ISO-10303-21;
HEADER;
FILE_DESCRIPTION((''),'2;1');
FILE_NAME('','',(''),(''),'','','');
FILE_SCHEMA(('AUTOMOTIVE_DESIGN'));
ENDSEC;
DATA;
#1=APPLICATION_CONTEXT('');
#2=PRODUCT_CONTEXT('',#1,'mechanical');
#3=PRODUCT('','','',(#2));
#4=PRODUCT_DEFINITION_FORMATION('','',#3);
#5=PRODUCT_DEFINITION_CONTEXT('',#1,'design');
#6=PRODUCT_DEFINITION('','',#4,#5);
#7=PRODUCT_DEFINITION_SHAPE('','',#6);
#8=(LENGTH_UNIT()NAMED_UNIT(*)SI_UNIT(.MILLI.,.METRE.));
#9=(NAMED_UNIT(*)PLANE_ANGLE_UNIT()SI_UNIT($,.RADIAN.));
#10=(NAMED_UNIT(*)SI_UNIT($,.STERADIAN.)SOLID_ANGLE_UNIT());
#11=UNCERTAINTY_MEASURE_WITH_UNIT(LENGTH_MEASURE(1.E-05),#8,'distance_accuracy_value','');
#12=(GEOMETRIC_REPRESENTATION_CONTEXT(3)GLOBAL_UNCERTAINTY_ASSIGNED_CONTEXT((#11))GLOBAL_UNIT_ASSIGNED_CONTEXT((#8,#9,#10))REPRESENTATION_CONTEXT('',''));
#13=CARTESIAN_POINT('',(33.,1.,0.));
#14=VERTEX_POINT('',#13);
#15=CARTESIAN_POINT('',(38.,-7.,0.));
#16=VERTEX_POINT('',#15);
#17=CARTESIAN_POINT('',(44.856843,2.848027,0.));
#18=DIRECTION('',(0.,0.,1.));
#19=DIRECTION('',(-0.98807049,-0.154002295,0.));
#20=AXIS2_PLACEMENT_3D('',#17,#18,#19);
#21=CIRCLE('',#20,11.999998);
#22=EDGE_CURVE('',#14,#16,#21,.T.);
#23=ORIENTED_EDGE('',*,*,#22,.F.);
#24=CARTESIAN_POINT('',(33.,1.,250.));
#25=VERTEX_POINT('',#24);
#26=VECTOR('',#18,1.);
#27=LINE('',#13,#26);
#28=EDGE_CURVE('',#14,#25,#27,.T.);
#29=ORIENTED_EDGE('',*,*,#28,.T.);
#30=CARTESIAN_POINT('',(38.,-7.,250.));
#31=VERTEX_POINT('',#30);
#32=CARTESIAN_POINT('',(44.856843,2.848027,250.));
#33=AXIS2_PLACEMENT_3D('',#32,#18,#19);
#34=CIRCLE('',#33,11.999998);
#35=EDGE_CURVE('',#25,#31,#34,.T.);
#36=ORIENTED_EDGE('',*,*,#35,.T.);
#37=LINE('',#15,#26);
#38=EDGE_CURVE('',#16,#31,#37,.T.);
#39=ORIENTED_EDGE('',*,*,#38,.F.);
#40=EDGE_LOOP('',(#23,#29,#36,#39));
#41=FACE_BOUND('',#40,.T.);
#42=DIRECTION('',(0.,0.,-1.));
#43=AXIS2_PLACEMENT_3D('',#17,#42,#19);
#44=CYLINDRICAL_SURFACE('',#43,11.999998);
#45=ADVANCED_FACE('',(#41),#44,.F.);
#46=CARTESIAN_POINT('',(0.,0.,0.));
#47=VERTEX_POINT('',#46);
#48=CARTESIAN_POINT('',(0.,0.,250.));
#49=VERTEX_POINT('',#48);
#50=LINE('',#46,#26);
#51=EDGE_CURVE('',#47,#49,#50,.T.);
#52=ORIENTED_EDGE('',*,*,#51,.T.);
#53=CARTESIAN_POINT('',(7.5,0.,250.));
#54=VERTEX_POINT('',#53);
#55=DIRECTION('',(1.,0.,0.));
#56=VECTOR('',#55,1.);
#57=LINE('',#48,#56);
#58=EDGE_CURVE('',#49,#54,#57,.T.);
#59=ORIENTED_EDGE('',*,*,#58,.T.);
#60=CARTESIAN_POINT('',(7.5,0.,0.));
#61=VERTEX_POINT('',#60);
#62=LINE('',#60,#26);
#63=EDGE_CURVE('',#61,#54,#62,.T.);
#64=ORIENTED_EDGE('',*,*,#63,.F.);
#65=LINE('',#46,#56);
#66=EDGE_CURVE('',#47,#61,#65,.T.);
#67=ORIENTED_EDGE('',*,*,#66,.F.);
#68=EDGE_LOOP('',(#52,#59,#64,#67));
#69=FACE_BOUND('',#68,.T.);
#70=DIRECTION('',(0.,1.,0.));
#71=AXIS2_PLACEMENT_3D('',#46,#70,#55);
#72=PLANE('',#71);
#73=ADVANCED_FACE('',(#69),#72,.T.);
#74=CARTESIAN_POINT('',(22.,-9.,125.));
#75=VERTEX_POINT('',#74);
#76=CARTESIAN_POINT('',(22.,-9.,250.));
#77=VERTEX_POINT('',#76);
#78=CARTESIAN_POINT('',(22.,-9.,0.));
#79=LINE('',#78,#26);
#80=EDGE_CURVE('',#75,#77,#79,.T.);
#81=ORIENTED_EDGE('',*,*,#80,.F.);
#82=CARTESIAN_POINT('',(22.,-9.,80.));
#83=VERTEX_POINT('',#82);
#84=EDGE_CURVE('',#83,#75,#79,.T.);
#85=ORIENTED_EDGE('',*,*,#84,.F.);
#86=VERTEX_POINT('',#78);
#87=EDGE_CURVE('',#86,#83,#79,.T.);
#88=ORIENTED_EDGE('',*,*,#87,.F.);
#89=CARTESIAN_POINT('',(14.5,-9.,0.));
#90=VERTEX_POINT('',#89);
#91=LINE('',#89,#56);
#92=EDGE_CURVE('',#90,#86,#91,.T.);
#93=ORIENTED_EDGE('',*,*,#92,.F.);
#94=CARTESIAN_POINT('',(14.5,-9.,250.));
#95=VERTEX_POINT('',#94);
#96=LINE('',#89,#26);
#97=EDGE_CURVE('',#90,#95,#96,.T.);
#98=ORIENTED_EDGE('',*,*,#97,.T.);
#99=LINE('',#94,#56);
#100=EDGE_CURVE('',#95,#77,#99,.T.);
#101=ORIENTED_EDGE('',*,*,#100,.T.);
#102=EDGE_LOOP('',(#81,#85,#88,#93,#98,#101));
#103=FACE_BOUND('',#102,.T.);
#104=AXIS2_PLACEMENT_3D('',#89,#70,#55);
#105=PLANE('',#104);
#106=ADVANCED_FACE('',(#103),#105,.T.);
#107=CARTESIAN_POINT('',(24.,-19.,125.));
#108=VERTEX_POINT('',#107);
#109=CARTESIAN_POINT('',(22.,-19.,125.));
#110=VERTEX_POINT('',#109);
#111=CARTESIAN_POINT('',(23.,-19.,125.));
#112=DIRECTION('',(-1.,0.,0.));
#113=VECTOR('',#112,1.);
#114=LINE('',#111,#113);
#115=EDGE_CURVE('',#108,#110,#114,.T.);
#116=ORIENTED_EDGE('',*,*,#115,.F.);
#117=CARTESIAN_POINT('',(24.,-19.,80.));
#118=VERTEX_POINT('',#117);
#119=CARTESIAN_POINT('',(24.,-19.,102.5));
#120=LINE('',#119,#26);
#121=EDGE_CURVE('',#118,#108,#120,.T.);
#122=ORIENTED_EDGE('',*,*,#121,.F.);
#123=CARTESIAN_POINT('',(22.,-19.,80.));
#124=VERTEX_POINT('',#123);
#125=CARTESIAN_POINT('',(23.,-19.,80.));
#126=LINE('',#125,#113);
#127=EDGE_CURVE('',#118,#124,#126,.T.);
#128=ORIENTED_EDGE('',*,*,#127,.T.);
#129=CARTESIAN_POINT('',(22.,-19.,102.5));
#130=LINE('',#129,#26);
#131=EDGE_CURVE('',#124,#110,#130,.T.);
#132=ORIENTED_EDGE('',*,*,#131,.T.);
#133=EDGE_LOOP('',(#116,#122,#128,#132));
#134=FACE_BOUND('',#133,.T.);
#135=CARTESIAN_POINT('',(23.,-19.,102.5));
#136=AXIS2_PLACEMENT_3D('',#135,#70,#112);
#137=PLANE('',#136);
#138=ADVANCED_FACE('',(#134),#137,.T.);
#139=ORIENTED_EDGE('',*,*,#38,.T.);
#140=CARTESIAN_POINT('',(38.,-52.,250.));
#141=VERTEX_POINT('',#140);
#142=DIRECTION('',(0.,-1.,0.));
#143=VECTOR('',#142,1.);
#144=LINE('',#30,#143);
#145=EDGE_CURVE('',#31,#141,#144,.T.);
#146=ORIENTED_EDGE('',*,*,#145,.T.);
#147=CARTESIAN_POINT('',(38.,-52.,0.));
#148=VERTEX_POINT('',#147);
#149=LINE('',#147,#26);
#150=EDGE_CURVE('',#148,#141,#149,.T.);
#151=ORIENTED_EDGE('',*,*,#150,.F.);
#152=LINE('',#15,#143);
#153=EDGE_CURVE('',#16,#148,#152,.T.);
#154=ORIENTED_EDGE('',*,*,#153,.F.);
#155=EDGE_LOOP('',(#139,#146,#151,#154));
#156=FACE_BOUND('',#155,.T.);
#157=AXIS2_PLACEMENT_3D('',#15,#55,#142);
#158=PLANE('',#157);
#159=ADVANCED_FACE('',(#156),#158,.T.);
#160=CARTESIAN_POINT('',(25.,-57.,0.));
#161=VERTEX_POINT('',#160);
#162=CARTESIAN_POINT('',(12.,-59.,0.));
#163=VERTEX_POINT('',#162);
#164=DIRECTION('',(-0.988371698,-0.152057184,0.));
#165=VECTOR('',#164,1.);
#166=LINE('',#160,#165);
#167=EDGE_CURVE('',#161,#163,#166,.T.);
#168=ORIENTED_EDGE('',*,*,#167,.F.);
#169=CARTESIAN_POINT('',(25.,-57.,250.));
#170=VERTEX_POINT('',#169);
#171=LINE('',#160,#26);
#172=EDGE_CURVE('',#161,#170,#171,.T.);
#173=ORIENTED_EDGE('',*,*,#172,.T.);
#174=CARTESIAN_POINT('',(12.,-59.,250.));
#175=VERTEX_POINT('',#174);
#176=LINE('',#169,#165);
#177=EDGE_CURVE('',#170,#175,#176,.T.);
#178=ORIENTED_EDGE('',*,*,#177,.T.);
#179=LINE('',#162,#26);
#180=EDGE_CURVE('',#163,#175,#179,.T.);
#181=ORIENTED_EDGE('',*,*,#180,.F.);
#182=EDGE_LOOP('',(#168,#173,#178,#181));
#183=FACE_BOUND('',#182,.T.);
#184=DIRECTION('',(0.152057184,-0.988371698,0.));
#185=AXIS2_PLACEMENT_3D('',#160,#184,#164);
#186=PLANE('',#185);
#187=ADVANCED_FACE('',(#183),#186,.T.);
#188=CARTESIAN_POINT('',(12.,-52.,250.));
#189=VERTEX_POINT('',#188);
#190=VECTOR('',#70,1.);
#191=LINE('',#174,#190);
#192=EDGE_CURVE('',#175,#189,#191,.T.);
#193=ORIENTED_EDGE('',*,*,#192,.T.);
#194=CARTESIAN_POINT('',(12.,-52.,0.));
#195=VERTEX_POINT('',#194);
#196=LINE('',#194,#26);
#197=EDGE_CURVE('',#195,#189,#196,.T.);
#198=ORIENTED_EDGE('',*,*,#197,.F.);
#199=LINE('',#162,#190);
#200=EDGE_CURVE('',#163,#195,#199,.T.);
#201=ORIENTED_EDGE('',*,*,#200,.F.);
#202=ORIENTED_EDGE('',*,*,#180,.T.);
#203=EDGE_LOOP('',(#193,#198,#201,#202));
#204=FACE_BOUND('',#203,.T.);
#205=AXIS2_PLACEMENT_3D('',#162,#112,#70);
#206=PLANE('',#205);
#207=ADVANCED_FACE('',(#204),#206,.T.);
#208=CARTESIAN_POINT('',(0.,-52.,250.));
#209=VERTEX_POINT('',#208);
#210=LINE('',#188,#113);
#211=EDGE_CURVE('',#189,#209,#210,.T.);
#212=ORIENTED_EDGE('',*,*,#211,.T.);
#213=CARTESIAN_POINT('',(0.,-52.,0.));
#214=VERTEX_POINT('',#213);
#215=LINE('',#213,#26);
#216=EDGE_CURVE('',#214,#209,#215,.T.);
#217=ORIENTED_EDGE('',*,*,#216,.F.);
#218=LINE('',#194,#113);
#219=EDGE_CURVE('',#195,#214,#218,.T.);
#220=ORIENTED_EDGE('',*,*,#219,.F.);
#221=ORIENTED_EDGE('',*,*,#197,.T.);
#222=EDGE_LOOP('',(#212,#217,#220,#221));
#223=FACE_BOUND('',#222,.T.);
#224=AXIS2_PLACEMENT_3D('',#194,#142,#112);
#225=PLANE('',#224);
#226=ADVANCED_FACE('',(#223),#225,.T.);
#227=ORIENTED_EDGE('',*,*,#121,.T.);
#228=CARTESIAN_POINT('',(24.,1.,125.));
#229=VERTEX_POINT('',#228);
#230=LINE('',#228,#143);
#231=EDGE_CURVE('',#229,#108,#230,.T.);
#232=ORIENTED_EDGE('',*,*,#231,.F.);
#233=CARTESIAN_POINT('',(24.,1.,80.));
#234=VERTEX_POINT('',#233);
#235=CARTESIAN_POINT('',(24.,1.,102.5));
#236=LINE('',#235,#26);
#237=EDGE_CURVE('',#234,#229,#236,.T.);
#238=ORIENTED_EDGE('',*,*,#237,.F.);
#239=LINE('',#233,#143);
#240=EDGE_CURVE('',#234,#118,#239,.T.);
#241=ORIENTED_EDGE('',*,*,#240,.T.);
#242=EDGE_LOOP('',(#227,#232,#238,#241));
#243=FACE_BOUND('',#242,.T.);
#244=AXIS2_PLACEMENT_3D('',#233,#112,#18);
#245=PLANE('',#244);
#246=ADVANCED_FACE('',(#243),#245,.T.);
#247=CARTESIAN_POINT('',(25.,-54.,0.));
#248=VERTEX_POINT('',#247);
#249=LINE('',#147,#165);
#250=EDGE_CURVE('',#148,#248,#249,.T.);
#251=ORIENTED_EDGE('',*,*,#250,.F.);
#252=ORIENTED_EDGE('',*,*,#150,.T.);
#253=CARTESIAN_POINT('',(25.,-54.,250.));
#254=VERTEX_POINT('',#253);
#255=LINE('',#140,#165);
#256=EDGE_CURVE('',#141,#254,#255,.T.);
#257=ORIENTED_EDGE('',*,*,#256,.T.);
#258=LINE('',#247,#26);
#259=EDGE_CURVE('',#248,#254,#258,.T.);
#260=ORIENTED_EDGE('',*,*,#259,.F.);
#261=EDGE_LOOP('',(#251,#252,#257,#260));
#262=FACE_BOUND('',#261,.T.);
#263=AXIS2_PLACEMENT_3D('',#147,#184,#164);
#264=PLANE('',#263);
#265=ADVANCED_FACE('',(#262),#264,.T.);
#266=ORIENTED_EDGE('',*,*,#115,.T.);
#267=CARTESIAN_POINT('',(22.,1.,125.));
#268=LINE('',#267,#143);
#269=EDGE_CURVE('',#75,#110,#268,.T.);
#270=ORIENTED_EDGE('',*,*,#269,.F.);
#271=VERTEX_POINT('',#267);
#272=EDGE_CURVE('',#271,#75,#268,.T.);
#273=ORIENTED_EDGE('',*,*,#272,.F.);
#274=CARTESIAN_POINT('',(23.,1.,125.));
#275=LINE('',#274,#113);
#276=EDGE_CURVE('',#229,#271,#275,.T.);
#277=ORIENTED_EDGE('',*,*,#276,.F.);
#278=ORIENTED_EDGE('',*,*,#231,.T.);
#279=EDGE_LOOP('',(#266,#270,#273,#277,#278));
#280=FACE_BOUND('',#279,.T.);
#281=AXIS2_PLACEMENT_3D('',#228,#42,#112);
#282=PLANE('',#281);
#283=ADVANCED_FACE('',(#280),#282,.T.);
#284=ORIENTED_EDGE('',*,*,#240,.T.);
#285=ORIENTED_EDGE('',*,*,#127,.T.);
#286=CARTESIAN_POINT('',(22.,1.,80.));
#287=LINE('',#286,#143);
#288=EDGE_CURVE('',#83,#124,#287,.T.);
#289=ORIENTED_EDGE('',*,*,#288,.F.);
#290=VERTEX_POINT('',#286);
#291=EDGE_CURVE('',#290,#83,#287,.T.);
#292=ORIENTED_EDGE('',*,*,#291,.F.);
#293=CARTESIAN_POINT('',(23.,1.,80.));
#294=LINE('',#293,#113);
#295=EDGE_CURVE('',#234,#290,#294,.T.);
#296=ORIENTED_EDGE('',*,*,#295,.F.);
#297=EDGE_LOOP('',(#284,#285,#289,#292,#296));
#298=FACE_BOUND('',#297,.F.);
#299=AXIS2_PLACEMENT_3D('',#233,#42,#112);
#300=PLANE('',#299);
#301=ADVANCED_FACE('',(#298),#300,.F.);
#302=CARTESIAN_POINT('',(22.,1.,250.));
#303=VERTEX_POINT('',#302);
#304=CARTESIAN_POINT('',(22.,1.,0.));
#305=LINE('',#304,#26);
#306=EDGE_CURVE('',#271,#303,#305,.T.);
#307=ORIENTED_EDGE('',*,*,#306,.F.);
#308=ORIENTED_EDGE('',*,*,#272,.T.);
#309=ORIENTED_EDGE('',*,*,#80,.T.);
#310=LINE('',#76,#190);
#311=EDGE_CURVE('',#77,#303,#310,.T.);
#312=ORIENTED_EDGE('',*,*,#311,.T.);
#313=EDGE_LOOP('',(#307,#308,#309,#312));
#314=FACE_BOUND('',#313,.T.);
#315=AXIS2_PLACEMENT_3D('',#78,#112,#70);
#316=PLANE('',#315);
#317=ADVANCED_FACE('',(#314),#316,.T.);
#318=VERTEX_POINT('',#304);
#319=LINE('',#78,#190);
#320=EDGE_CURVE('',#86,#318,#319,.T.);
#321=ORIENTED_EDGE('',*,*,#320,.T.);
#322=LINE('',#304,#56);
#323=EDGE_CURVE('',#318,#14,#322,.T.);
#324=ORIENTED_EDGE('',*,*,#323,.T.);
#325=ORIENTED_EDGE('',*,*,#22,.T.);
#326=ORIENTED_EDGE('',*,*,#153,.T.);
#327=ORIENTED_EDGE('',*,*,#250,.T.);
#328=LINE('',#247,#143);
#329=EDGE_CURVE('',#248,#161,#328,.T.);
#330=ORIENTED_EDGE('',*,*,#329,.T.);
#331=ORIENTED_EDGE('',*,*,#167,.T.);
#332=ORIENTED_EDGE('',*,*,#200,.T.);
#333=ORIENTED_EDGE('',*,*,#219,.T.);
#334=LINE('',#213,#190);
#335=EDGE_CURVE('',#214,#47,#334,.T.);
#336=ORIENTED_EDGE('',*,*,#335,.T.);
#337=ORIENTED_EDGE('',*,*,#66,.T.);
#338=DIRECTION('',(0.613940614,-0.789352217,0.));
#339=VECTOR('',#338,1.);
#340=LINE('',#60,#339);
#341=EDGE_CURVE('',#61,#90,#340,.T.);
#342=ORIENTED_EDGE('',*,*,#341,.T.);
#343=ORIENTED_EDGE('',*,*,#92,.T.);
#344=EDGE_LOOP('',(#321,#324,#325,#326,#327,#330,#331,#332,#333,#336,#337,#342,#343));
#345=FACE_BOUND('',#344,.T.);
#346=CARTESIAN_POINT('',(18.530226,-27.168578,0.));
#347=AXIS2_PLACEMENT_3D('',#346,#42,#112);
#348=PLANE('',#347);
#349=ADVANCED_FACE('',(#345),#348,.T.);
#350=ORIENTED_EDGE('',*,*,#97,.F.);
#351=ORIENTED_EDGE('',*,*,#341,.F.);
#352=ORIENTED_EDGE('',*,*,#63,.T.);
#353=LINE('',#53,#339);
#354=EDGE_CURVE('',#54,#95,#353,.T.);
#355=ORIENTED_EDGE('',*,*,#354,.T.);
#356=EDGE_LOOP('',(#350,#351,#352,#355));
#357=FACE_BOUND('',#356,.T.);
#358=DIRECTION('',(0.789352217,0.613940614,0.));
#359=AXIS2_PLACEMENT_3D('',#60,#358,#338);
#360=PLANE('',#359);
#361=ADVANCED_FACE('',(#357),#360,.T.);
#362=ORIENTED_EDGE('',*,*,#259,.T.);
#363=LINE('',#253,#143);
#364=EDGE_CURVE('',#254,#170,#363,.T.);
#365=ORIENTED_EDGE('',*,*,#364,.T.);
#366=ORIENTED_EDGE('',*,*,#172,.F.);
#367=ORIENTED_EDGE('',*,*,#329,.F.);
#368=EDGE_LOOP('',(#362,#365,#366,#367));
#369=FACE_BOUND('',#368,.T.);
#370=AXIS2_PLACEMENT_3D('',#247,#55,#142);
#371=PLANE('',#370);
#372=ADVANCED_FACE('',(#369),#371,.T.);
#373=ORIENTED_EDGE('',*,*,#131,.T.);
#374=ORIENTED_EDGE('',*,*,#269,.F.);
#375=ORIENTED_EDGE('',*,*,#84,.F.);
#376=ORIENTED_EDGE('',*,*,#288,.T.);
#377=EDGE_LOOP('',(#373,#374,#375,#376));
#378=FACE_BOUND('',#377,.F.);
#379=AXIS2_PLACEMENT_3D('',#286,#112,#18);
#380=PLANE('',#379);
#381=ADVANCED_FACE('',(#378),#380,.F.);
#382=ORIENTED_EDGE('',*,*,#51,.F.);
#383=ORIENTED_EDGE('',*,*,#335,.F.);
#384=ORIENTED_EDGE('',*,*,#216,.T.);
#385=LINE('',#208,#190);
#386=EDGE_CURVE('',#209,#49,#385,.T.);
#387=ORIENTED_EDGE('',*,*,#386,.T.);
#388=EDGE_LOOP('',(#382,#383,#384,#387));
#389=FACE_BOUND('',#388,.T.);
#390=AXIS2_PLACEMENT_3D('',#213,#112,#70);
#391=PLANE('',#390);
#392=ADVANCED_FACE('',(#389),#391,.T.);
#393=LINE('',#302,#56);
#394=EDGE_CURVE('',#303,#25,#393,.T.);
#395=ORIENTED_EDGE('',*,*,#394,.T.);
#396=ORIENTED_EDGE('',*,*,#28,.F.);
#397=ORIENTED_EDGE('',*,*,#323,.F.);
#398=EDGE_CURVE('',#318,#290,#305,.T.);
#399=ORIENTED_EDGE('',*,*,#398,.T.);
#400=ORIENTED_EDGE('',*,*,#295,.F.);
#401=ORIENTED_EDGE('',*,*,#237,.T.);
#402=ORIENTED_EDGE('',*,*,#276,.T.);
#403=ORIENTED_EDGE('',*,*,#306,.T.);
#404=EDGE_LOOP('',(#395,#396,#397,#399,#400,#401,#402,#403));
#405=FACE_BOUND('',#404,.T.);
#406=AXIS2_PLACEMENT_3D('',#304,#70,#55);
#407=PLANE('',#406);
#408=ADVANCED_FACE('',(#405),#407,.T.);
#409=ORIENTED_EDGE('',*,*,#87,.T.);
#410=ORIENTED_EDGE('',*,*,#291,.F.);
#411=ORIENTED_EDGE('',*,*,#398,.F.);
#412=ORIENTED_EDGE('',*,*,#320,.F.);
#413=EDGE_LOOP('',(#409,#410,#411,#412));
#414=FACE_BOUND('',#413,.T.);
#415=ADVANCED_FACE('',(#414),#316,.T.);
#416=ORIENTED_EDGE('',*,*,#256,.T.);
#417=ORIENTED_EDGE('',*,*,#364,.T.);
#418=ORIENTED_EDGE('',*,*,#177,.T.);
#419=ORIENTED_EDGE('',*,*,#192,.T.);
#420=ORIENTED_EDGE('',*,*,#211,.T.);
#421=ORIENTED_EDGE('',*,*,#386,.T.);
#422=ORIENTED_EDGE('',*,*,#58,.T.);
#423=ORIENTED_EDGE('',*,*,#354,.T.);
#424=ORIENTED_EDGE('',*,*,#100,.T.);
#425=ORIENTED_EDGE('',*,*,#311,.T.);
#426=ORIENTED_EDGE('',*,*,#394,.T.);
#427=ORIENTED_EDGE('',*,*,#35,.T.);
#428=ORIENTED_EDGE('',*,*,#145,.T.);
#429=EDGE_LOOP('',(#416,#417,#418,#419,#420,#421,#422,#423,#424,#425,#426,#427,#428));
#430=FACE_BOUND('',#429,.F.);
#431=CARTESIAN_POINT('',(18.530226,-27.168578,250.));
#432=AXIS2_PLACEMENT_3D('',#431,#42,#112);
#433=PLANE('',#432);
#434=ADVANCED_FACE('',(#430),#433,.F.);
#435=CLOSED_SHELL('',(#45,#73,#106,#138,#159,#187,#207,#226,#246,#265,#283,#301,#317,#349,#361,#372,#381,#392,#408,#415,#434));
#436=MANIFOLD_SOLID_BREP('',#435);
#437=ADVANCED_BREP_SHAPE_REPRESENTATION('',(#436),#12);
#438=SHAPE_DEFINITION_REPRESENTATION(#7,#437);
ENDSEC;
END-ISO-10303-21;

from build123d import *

# Parameters (mm, degrees)
PAD_DEPTH    = 250
SKETCH001_W  = 2
SKETCH001_H  = 45
POCKET_DEPTH = 20


with BuildPart() as part:
    # Sketch → Pad (new body)
    with BuildSketch(Plane.XY):
        with BuildLine():
            Line((0, 0), (7.5, 0))
            Line((7.5, 0), (14.5, -9))
            Line((14.5, -9), (22, -9))
            Line((22, -9), (22, 1))
            Line((22, 1), (33, 1))
            ThreePointArc((33, 1), (34.680866, -3.511959), (38, -7))
            Line((38, -7), (38, -52))
            Line((38, -52), (25, -54))
            Line((25, -54), (25, -57))
            Line((25, -57), (12, -59))
            Line((12, -59), (12, -52))
            Line((12, -52), (0, -52))
            Line((0, -52), (0, 0))
        make_face()
    extrude(amount=PAD_DEPTH)

    # Sketch001 (on Face5 of Pad) → Pocket (cut)
    with BuildSketch(Plane(origin=(0, 1, 0), x_dir=(-1, 0, 0), z_dir=(0, 1, 0))):
        with Locations((-23, 102.5)):
            Rectangle(SKETCH001_W, SKETCH001_H)
    extrude(amount=-POCKET_DEPTH, mode=Mode.SUBTRACT)


solid = part.part
